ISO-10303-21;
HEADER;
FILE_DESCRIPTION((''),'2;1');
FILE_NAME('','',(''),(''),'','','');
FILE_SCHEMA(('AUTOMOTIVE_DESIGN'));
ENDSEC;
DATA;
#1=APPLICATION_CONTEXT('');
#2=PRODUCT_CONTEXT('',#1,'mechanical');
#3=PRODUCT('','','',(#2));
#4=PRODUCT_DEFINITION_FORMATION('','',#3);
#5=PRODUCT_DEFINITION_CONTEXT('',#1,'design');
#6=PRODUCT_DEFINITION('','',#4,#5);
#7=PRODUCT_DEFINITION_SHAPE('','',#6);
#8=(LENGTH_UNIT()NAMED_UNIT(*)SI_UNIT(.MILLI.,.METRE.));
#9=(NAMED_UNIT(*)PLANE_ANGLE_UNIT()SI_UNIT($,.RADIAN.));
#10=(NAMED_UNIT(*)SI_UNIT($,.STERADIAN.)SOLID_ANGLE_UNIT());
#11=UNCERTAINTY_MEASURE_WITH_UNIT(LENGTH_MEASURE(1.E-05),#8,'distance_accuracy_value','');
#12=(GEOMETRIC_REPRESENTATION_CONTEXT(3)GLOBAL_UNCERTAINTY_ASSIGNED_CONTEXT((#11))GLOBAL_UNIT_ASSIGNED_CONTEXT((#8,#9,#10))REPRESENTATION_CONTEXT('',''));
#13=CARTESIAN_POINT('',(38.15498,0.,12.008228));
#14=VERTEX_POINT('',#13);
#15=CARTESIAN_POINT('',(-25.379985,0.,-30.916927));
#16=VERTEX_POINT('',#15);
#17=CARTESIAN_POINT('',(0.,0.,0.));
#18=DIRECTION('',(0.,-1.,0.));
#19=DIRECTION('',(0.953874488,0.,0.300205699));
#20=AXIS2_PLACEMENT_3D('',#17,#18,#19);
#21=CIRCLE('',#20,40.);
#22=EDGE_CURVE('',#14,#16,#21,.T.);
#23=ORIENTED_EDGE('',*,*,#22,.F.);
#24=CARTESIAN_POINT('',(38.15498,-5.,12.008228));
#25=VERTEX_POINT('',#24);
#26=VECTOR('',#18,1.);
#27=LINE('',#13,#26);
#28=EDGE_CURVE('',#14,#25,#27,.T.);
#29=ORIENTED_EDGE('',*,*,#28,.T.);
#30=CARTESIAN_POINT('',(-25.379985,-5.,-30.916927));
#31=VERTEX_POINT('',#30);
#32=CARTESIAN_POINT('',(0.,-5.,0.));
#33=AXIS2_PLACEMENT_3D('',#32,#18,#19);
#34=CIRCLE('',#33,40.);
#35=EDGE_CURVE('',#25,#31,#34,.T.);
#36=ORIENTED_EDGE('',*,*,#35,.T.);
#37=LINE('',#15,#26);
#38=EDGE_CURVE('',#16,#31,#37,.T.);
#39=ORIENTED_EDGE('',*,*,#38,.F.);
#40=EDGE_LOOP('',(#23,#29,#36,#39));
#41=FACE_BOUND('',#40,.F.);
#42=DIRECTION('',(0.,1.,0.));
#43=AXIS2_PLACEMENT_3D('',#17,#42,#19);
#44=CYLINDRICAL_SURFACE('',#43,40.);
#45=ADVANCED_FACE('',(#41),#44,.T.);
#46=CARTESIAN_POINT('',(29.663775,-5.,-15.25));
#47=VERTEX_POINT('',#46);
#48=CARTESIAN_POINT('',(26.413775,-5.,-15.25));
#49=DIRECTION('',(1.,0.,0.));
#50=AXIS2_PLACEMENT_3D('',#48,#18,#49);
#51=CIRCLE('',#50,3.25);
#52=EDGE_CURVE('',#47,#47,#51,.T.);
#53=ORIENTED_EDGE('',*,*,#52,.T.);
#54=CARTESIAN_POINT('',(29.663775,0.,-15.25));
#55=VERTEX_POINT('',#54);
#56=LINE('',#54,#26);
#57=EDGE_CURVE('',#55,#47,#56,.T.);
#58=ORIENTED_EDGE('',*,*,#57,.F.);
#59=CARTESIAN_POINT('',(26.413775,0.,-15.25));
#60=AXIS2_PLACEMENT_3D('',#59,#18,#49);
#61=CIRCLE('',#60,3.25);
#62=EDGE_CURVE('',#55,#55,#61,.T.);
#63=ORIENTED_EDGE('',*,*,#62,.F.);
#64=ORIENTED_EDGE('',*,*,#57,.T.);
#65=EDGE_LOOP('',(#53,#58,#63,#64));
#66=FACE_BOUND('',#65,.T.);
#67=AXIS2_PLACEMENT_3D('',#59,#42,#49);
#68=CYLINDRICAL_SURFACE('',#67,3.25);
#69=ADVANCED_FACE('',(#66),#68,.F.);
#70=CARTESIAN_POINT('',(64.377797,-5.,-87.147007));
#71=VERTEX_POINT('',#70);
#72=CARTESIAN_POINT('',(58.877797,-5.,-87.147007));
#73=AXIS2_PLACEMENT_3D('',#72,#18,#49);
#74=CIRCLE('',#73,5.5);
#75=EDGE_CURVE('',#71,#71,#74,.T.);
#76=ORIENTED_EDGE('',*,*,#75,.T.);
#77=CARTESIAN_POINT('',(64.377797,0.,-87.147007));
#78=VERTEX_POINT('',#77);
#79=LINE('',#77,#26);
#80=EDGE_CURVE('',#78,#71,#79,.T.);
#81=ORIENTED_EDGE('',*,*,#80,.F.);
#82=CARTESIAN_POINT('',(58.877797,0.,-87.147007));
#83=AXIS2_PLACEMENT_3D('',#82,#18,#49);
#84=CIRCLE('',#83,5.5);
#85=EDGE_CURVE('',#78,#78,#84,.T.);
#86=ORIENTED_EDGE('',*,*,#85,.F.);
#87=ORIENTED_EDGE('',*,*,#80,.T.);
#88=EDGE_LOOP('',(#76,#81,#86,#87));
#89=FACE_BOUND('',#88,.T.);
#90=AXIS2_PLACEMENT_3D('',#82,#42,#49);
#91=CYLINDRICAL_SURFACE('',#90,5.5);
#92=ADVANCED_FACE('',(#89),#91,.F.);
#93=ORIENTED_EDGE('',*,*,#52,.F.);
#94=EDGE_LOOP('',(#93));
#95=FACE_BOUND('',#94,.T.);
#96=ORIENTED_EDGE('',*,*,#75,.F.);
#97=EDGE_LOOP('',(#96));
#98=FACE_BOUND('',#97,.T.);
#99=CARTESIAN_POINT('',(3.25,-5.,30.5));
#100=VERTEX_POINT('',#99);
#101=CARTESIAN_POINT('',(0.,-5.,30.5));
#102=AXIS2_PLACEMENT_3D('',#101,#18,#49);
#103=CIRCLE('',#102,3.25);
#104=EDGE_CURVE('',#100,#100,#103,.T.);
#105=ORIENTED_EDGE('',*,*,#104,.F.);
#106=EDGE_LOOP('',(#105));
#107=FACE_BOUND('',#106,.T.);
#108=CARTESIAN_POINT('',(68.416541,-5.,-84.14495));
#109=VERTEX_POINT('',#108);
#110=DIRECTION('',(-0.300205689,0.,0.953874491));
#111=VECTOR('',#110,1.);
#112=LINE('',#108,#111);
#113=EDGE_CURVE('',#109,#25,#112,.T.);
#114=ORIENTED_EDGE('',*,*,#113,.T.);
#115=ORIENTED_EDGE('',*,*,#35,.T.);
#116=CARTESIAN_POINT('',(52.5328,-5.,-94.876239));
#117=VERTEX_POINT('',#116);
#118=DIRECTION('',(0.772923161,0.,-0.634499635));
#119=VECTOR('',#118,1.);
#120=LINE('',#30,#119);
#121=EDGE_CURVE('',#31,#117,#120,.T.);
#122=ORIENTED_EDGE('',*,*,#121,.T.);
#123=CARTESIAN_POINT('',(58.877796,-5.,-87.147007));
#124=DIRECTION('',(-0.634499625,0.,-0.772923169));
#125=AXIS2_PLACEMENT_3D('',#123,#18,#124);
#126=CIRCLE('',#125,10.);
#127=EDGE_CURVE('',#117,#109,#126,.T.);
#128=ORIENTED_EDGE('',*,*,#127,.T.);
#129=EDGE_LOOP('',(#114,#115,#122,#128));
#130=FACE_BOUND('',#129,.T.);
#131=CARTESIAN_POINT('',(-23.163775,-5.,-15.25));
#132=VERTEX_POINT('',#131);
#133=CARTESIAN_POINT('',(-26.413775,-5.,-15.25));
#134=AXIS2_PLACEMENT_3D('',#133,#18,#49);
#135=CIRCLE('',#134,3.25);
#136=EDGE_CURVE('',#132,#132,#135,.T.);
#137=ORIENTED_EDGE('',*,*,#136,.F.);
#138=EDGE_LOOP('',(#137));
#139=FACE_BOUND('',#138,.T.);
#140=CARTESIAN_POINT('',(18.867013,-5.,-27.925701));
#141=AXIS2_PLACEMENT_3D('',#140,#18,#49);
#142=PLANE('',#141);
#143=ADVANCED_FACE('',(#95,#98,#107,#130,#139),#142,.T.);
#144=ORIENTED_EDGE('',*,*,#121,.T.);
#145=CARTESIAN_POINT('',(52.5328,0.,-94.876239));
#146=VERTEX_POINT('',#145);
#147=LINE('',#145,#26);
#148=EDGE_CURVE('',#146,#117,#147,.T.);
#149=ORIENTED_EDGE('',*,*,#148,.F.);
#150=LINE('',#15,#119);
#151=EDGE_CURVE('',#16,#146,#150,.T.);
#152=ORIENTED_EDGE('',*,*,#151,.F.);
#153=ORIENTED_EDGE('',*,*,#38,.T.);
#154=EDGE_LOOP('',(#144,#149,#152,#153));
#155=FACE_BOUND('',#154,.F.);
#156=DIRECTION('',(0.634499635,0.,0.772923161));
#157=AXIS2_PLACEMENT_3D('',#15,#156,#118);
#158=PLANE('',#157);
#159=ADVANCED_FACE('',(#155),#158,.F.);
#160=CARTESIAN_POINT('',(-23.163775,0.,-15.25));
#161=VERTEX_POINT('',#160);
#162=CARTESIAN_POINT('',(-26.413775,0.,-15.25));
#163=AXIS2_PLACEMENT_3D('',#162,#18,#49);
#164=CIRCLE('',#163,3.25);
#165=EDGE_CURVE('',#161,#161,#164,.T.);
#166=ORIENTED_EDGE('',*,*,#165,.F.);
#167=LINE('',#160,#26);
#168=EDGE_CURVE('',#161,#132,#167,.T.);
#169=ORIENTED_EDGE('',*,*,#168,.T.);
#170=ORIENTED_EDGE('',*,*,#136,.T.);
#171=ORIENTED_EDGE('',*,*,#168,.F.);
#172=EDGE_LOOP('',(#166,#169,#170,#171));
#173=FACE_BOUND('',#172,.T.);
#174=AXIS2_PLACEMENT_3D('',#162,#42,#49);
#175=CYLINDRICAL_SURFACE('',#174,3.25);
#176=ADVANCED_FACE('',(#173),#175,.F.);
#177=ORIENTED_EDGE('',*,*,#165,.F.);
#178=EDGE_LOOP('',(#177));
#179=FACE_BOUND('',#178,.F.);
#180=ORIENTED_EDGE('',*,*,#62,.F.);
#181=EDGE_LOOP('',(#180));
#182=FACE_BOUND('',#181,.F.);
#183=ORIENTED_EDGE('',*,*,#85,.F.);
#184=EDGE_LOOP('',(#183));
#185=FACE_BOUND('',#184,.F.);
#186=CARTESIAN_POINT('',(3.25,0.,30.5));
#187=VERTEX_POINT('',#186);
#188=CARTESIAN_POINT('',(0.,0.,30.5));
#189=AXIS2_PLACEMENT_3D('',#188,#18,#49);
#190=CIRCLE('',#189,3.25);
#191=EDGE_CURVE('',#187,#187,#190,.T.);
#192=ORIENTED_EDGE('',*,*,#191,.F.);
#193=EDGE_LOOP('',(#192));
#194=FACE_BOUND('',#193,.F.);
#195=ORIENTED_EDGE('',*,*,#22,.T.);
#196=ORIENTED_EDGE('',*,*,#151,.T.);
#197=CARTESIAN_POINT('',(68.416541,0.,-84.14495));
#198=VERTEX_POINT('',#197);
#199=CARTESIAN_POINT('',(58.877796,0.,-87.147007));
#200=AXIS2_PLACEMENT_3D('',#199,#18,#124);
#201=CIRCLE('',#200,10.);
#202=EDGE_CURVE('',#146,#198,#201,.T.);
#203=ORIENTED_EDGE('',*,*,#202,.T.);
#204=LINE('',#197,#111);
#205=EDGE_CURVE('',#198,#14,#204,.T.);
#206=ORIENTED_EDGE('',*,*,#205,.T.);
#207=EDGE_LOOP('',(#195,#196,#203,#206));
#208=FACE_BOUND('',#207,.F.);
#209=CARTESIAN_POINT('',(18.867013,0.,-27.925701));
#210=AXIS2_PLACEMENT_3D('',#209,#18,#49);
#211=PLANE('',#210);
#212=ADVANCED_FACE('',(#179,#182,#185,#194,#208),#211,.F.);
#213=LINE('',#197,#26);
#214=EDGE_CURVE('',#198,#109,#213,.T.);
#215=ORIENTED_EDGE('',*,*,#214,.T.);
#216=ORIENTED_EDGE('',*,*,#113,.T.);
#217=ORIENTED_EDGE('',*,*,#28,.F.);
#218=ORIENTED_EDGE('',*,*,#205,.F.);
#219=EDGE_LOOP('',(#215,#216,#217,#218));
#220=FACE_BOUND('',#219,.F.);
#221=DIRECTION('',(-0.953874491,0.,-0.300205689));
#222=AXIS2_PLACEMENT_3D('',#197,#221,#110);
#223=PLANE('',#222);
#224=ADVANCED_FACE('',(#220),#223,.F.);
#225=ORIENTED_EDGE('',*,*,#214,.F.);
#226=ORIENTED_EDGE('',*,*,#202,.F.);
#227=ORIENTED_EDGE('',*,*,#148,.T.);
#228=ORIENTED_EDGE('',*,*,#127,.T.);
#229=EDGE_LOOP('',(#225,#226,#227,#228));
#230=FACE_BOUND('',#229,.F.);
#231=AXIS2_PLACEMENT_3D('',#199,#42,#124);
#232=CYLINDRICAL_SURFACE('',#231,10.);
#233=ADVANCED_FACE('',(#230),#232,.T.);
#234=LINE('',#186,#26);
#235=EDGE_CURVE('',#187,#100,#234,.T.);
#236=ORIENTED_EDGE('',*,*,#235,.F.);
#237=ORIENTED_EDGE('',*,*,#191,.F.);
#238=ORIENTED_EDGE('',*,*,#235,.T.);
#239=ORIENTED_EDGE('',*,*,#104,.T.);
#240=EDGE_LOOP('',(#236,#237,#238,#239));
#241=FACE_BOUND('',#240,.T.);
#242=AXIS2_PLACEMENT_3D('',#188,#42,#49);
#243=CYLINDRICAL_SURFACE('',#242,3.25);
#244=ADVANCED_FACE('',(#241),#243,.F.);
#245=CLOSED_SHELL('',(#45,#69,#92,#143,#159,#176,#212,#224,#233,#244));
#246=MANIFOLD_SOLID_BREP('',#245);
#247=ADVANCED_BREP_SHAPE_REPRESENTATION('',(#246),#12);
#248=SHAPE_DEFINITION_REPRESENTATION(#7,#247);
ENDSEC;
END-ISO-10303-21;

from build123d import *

# Parameters (mm, degrees)
F0_R     = 5.5
F0_R_2   = 3.25
F1_DEPTH = 5


with BuildPart() as f1:
    # F0 (on Front) → F1 (new body)
    with BuildSketch(Plane.XZ):
        with BuildLine():
            Line((68.416541, -84.14495), (38.15498, 12.008228))
            ThreePointArc((38.15498, 12.008228), (-22.392908, 33.144497), (-25.379985, -30.916927))
            Line((-25.379985, -30.916927), (52.5328, -94.876239))
            ThreePointArc((52.5328, -94.876239), (64.476024, -95.433131), (68.416541, -84.14495))
        make_face()
        with Locations((58.877797, -87.147007)):
            Circle(F0_R, mode=Mode.SUBTRACT)
        with Locations((-26.413775, -15.25)):
            Circle(F0_R_2, mode=Mode.SUBTRACT)
        with Locations((0, 30.5)):
            Circle(F0_R_2, mode=Mode.SUBTRACT)
        with Locations((26.413775, -15.25)):
            Circle(F0_R_2, mode=Mode.SUBTRACT)
    extrude(amount=F1_DEPTH)


solid = f1.part
